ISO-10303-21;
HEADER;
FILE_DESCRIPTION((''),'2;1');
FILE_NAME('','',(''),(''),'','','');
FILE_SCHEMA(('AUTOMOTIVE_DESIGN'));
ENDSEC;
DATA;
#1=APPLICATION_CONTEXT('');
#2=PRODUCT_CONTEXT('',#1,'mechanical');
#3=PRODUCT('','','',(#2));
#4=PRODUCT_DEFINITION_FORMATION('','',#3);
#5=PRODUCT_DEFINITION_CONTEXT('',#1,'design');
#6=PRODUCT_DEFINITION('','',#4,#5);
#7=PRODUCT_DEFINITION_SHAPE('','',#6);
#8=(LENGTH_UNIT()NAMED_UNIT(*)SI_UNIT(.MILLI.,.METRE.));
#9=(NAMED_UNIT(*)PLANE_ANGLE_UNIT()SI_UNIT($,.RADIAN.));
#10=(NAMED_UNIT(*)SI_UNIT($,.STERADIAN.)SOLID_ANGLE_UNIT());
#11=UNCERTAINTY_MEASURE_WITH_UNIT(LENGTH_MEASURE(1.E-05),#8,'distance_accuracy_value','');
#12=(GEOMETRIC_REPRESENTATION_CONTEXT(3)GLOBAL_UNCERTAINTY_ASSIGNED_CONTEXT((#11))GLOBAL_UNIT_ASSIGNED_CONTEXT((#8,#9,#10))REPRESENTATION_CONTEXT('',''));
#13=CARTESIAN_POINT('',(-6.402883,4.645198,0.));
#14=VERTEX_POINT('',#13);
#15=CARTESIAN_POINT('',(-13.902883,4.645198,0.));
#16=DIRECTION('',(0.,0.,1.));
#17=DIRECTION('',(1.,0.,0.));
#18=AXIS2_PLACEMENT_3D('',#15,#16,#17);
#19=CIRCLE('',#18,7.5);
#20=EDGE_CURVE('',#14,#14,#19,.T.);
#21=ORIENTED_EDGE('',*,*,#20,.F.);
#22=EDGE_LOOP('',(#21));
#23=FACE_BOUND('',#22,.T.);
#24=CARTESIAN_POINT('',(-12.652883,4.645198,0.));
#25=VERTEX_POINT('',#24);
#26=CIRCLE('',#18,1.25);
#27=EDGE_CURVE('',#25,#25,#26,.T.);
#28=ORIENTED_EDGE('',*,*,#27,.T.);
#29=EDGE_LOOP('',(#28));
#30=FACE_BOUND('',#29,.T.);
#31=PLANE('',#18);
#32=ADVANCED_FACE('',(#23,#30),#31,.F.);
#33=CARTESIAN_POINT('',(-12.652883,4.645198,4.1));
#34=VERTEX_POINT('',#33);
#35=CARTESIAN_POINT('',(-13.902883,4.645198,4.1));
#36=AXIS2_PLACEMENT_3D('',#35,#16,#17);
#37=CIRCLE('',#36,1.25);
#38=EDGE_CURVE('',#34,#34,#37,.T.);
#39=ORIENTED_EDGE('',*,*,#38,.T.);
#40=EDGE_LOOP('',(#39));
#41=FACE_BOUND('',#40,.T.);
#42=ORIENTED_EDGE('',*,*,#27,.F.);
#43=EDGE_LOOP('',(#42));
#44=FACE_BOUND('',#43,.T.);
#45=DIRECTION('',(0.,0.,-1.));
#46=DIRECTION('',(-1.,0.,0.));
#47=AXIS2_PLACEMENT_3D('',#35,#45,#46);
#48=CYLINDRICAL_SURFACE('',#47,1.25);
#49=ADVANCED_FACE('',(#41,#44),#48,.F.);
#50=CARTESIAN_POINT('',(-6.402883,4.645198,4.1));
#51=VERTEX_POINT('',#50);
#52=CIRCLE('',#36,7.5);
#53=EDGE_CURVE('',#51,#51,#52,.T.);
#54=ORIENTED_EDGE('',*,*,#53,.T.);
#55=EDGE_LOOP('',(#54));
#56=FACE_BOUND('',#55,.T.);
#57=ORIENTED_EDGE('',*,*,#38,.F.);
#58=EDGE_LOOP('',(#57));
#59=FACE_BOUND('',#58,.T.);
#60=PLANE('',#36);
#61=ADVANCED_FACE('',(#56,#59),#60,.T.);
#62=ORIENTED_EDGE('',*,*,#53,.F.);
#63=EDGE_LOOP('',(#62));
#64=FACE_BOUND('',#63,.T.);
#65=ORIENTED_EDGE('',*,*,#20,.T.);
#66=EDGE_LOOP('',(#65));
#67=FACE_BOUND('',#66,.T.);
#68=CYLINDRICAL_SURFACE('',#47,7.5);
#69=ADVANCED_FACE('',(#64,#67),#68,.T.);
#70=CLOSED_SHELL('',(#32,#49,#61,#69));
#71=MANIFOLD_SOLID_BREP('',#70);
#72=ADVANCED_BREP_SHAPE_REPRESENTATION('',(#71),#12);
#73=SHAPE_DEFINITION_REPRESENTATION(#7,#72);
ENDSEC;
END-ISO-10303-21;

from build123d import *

# Parameters (mm, degrees)
SKETCH_1_R      = 7.5
SKETCH_1_R_2    = 1.25
EXTRUDE_1_DEPTH = 4.1


with BuildPart() as part:
    # 草圖1 → 填料-伸長1 (new body)
    with BuildSketch(Plane.XY):
        with Locations((-13.902883306, 4.645198473)):
            Circle(SKETCH_1_R)
        with Locations((-13.902883306, 4.645198473)):
            Circle(SKETCH_1_R_2, mode=Mode.SUBTRACT)
    extrude(amount=EXTRUDE_1_DEPTH)


solid = part.part
